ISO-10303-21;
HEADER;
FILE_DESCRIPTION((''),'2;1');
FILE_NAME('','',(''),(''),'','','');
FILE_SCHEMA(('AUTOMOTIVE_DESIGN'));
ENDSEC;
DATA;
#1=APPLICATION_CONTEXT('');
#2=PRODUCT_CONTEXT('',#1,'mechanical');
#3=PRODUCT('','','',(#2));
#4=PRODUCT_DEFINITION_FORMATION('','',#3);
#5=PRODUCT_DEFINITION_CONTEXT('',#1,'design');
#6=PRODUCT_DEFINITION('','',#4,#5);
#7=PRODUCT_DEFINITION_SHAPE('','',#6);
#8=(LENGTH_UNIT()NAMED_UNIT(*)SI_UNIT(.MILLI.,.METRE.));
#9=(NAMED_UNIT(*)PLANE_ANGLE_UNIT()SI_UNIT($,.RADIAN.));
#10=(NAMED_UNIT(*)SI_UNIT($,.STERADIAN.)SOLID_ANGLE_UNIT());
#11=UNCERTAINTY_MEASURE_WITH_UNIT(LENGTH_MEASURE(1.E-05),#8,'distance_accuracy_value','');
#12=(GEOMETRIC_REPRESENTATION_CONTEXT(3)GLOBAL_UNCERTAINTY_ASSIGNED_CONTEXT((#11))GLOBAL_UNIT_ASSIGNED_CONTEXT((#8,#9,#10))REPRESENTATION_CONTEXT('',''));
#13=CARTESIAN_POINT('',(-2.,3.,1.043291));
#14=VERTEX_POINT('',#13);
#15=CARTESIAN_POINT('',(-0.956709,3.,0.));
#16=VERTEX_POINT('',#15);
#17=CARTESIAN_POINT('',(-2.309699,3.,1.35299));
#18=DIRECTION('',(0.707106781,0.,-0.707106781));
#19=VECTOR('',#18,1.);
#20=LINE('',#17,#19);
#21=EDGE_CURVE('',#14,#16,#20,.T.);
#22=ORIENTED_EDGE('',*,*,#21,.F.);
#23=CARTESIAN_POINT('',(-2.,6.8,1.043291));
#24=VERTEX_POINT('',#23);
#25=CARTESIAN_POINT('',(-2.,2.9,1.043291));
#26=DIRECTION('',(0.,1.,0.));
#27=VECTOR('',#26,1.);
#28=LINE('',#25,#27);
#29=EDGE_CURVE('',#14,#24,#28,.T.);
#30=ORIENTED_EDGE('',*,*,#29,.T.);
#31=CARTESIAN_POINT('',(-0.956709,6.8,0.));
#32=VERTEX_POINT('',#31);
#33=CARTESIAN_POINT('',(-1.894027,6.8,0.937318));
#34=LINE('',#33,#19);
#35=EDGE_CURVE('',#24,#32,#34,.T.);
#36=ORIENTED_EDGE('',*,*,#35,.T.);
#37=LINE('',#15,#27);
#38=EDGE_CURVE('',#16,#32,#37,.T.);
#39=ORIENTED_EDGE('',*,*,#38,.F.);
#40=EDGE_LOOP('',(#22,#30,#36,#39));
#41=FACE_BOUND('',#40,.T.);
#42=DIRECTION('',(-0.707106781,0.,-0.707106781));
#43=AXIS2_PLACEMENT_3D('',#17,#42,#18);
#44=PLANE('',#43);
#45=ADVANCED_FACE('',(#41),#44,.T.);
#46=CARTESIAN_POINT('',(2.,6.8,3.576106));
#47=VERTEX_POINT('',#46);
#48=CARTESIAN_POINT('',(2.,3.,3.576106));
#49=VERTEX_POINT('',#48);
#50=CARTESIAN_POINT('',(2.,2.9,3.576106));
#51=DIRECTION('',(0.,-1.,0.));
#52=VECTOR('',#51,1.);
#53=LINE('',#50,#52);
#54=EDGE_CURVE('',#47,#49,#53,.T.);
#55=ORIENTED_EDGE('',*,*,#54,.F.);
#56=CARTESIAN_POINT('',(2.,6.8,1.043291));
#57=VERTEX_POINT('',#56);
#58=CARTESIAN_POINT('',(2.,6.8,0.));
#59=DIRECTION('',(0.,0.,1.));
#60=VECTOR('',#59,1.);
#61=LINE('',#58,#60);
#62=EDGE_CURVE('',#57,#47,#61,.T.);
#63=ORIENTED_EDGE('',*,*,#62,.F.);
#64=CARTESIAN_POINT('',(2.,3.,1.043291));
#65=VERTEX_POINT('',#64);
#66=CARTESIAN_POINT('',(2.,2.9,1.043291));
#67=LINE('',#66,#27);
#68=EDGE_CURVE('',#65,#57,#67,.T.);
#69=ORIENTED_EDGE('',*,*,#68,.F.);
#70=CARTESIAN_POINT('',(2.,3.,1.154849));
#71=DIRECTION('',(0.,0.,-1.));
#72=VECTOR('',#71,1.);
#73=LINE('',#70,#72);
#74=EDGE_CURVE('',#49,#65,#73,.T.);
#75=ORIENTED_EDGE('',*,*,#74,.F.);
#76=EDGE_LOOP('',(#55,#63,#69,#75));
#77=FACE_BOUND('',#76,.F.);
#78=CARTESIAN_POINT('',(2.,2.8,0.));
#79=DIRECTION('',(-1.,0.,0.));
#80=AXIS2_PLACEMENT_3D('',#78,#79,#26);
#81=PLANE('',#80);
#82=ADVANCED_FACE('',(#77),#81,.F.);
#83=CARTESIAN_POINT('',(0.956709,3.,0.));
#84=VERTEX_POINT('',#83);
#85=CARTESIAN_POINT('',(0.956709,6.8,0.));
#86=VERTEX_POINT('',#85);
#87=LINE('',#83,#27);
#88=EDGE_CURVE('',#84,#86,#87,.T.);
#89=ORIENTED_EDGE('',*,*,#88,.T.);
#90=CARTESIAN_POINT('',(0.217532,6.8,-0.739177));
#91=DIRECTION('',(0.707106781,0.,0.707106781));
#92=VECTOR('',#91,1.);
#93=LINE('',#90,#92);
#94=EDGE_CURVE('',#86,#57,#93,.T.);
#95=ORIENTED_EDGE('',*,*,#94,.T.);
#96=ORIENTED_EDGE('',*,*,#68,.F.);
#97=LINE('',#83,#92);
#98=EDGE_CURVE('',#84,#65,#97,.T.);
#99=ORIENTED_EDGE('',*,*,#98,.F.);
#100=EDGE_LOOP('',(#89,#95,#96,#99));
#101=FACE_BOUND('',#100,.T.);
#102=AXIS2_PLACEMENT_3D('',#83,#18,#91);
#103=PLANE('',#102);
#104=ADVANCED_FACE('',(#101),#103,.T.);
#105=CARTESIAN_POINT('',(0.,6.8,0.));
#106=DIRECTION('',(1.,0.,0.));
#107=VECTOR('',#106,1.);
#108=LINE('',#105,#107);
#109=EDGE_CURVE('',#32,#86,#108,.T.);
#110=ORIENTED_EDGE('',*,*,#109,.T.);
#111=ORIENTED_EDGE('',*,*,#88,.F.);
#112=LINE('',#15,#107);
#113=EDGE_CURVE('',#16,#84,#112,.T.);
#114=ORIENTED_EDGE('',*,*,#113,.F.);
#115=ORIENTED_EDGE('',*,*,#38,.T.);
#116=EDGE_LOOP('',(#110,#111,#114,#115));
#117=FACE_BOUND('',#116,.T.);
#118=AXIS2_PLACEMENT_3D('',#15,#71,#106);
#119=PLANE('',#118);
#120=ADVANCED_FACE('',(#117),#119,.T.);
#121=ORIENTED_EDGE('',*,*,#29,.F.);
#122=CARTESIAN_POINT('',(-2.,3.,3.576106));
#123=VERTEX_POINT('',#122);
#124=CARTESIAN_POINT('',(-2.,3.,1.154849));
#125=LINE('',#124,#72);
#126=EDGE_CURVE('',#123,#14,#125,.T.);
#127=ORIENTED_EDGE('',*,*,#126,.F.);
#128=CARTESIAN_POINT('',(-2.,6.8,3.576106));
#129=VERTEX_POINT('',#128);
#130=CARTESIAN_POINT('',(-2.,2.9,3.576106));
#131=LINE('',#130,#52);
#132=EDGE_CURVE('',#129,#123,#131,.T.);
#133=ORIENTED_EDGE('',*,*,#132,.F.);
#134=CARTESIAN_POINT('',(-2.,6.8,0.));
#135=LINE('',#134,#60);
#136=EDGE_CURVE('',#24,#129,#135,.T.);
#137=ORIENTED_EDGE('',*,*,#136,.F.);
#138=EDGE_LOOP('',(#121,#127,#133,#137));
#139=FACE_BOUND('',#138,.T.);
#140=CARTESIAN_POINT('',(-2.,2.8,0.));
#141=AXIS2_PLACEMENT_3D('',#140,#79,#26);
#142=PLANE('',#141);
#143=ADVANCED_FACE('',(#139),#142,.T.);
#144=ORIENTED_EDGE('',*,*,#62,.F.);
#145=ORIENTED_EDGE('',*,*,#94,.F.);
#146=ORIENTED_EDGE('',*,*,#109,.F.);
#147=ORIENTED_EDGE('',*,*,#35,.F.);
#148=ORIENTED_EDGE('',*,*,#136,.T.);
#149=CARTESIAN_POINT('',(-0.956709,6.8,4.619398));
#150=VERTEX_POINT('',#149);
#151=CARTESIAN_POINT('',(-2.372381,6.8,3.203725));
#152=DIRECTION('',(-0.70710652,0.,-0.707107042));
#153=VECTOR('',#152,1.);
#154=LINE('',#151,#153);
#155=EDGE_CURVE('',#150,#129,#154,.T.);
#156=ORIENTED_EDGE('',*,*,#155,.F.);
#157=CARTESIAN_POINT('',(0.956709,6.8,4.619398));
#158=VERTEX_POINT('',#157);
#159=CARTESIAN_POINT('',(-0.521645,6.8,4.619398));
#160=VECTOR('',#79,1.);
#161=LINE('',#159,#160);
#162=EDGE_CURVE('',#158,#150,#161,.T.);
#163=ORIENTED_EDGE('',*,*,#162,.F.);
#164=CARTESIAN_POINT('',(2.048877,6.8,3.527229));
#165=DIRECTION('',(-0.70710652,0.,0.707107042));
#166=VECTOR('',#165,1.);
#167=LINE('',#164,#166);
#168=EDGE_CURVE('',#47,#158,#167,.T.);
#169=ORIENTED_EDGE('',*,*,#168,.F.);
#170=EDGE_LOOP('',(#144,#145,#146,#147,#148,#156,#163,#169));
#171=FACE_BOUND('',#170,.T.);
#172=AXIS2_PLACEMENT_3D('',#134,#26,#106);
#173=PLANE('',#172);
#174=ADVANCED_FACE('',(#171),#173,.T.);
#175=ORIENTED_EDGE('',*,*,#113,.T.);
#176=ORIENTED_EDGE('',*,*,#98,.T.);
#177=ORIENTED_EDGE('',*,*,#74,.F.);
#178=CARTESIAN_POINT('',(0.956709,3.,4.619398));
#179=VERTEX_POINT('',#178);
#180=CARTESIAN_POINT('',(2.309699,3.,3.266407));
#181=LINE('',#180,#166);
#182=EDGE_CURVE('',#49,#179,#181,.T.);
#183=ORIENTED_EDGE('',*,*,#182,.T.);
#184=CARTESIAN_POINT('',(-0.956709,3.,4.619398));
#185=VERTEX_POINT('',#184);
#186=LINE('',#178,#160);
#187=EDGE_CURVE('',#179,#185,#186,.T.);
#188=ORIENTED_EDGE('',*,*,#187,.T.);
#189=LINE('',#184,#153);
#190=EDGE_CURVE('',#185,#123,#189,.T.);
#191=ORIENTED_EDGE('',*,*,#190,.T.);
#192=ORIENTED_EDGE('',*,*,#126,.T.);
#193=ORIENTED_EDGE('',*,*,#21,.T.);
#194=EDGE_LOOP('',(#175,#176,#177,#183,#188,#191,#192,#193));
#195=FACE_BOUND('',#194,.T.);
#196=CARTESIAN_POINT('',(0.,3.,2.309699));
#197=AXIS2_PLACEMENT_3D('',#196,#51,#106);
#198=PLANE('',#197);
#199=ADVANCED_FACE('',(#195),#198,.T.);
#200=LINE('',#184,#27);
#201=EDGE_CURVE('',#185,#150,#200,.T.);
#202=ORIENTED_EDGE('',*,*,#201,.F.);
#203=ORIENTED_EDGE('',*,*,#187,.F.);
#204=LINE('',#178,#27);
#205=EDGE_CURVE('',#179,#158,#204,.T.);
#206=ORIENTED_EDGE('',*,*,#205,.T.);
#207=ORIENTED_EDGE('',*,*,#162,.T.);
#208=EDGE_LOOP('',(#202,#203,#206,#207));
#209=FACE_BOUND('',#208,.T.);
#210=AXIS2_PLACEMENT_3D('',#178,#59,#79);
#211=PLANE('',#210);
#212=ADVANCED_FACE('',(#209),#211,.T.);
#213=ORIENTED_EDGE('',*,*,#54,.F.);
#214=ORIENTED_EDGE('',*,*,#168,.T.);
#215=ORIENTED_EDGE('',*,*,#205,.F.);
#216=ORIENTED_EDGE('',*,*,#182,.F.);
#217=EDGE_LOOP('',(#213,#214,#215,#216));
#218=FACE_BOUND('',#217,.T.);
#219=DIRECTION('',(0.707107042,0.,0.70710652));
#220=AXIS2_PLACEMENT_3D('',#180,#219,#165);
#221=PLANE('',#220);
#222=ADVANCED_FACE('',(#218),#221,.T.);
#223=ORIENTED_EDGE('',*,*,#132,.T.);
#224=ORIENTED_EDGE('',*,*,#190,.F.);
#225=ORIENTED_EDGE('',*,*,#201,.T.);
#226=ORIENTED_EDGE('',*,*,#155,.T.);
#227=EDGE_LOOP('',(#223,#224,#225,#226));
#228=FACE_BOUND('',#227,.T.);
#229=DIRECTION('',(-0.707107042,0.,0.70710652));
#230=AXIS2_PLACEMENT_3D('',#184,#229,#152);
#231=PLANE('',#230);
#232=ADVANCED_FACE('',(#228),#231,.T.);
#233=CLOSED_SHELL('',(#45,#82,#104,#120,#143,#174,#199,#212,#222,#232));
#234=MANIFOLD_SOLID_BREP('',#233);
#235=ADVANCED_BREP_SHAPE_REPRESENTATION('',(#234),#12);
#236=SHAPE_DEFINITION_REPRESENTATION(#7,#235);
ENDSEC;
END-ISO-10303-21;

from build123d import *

# Parameters (mm, degrees)
BOX_W            = 4
BOX_H            = 4
BOX_DEPTH        = 10
EXTRUDE003_DEPTH = 6


with BuildPart() as box:
    # Box → Box (new body)
    with BuildSketch(Plane(origin=(-2, 2.8, 0), x_dir=(1, 0, 0), z_dir=(0, 0, 1))):
        with Locations((2, 2)):
            Rectangle(BOX_W, BOX_H)
    extrude(amount=BOX_DEPTH)


with BuildPart() as common_frontpint:
    # Sketch002 → Extrude003 (new body)
    with BuildSketch(Plane.XZ):
        Polygon((2.309699, 1.35299), (2.309699, 3.266407), (0.956709, 4.619398), (-0.956709, 4.619398), (-2.309699, 3.266407), (-2.309699, 1.35299), (-0.956709, 0), (0.956709, 0), align=None)
    extrude(amount=-EXTRUDE003_DEPTH)


with BuildPart() as common_frontpint_1:
    # Extrude003 placement: moved
    add(common_frontpint.part.moved(Location((0, 3, 0))))

    # Common: intersect Box
    add(box.part, mode=Mode.INTERSECT)


solid = common_frontpint_1.part
